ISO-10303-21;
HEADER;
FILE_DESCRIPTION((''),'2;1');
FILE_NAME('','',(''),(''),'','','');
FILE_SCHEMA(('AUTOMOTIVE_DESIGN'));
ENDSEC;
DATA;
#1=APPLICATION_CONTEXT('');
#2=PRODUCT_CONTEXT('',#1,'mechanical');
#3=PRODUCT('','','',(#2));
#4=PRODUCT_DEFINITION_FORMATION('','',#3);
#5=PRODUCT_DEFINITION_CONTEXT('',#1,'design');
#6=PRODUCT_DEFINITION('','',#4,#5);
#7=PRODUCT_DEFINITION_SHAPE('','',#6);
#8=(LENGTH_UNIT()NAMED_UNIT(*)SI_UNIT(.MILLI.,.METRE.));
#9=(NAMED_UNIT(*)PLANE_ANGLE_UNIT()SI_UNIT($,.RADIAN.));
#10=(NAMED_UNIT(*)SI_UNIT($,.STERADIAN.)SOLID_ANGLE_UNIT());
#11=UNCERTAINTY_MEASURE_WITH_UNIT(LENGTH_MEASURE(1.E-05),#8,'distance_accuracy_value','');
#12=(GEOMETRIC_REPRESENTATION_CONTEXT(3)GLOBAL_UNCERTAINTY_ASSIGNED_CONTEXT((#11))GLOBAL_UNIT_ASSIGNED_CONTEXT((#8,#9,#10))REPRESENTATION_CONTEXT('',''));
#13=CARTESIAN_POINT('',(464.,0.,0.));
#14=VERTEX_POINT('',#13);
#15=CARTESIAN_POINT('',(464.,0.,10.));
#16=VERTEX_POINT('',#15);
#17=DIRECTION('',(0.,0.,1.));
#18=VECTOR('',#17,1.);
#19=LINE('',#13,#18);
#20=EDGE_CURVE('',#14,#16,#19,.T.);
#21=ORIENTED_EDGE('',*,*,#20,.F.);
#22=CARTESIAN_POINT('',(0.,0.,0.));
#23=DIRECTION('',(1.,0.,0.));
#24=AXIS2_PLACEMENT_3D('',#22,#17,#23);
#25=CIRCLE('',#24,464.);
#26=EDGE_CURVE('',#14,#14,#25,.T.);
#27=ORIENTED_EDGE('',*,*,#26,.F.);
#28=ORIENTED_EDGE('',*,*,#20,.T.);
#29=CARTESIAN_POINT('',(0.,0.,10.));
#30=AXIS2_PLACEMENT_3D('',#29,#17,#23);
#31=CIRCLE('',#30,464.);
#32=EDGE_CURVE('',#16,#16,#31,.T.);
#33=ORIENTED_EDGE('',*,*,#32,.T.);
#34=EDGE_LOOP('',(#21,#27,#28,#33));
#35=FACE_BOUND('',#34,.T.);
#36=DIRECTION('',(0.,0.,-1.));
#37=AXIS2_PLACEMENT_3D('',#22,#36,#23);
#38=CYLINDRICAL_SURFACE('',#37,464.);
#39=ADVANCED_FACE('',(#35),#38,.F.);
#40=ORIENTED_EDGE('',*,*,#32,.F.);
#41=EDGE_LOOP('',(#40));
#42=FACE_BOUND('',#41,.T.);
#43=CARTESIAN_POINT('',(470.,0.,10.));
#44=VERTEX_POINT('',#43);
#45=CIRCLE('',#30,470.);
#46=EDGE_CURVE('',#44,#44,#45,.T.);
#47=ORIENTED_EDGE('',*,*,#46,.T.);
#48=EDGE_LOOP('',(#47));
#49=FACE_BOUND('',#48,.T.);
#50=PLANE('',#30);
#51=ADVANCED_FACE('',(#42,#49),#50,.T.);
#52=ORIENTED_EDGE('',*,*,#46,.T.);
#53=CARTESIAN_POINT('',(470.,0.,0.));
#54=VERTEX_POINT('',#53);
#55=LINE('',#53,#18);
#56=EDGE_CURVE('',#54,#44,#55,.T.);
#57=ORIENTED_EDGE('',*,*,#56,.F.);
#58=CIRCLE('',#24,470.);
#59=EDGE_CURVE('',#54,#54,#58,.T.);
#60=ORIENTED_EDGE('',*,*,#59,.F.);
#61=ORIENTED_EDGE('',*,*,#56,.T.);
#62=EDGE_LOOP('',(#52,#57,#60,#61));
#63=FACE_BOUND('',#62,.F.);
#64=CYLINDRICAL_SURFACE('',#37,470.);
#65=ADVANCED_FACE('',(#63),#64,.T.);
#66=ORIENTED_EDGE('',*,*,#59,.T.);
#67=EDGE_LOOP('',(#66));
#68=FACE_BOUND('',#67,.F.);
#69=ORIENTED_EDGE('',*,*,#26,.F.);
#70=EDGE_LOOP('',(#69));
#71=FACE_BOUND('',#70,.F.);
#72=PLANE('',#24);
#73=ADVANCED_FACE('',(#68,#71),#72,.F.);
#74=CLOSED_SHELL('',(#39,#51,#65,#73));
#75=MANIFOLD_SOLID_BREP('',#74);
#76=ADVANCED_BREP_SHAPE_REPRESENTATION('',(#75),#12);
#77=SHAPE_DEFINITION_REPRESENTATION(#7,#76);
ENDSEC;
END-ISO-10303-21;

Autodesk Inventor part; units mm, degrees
ref_plane "YZ Plane" through (0, 0, 0) normal (1, 0, 0) x (0, 1, 0)
ref_plane "XZ Plane" through (0, 0, 0) normal (0, 1, 0) x (-1, 0, 0)
ref_plane "XY Plane" through (0, 0, 0) normal (0, 0, 1) x (1, 0, 0)
sketch "Sketch1" plane through (0, 0, 0) normal (0, 0, 1) x (1, 0, 0)
  circle A0 centre (0, 0) radius 470
  circle A1 centre (0, 0) radius 464
  dimension "d0" = 940
  dimension "d1" = 6
extrude "Extrusion1" add sketch "Sketch1" along normal blind 10
sketch "Sketch2" plane through (0, 0, 0) normal (0, 0, 1) x (1, 0, 0)
  circle A0 centre (-90, -87.958) radius 95
  circle A1 centre (-250, -87.958) radius 95
  circle A2 centre (-398.347, -87.958) radius 95
  circle A3 centre (-128.347, -210) radius 95
  circle A4 centre (-313.347, -210) radius 95
  circle A5 centre (-218.347, -340) radius 95
  line L0 (1.653, -87.958) -> (-398.347, -87.958)
  line L1 (1.653, 2.1491) -> (1.653, -497.8509)
  line L2 (1.653, -340) -> (-218.347, -340)
  line L3 (1.653, -210) -> (-313.347, -210)
  circle A6 centre (-88.347, -340) radius 95
  point P0 (0, 0)
  dimension "d8" = 210
  dimension "d9" = 340
  dimension "d11" = 90
  dimension "d12" = 250
  dimension "d13" = 400
  dimension "d16" = 130
  dimension "d17" = 315
  dimension "d18" = 90
  dimension "d19" = 220
sketch "Sketch3" plane through (0, 0, 0) normal (0, 0, 1) x (1, 0, 0)
  circle A0 centre (-104.0992, -233.3488) radius 95
  circle A1 centre (-161.9131, -395.3117) radius 95
  circle A2 centre (-91.7953, -514.3257) radius 95
  circle A3 centre (-280.9346, -260.412) radius 95
  circle A4 centre (-299.5406, -418.8761) radius 95
  circle A5 centre (-250.7395, 99.5106) radius 95
  circle A6 centre (-395.8303, 87.9315) radius 95
  circle A7 centre (-535.2648, 91.0733) radius 95
  circle A8 centre (-460.3613, -287.8718) radius 95
  circle A9 centre (-531.2922, -111.9436) radius 95
  circle A10 centre (-392.3143, -102.4845) radius 95
  circle A11 centre (0, 0) radius 542.9574 construction
  circle A12 centre (-253.2201, -93.0176) radius 95
  circle A13 centre (-90.4998, -81.9426) radius 95
  circle A14 centre (85.6841, -88.1302) radius 95
  circle A15 centre (-90.4998, 88.0537) radius 95
  circle A16 centre (0, 0) radius 405.4794 construction
  circle A17 centre (0, 0) radius 269.7641 construction
  circle A18 centre (85.6841, 88.0537) radius 95
  line L0 (0, 0) -> (0, -542.9574)
  line L1 (0, -75.783) -> (-531.2922, -111.9436)
  line L2 (0, -217.4173) -> (-460.3613, -287.8718)
  circle A19 centre (0, 0) radius 600
  line L3 (0, -367.5891) -> (-299.5406, -418.8761)
  line L4 (-91.7953, -514.3257) -> (0, -514.3257)
  point P0 (0, 0)
  dimension "d21" = 190
  dimension "d22" = 1200
equation "\"GapSize\" = Thickness"
equation "\"BendRadius\" = Thickness"
equation "\"MinimumRemnant\" = 2 * Thickness"
equation "\"BendReliefDepth\" = 0.5 * Thickness"
equation "\"BendReliefWidth\" = Thickness"
equation "\"CornerReliefSize\" = 4 * Thickness"
equation "\"JacobiRadiusSize\" = BendRadius"
equation "\"TransitionRadius\" = BendRadius"
equation "\"way_tube_L1\" = 1"
equation "\"way_tube_L2\" = 1"
equation "\"way_tube_L3\" = 1"
equation "\"way_tube_L4\" = 1"
equation "\"way_tube_L5\" = 120"
equation "\"way_tube_L6\" = 90"
equation "\"way_tube_L7\" = 20"
equation "\"way_tube_L8\" = 90"
equation "\"way_tube_L9\" = 80"
equation "\"way_tube_L10\" = 80"
equation "\"Thickness\" = 3.048"
properties part number "PRS 940-512 DIM filter-distribution-system 1000"
